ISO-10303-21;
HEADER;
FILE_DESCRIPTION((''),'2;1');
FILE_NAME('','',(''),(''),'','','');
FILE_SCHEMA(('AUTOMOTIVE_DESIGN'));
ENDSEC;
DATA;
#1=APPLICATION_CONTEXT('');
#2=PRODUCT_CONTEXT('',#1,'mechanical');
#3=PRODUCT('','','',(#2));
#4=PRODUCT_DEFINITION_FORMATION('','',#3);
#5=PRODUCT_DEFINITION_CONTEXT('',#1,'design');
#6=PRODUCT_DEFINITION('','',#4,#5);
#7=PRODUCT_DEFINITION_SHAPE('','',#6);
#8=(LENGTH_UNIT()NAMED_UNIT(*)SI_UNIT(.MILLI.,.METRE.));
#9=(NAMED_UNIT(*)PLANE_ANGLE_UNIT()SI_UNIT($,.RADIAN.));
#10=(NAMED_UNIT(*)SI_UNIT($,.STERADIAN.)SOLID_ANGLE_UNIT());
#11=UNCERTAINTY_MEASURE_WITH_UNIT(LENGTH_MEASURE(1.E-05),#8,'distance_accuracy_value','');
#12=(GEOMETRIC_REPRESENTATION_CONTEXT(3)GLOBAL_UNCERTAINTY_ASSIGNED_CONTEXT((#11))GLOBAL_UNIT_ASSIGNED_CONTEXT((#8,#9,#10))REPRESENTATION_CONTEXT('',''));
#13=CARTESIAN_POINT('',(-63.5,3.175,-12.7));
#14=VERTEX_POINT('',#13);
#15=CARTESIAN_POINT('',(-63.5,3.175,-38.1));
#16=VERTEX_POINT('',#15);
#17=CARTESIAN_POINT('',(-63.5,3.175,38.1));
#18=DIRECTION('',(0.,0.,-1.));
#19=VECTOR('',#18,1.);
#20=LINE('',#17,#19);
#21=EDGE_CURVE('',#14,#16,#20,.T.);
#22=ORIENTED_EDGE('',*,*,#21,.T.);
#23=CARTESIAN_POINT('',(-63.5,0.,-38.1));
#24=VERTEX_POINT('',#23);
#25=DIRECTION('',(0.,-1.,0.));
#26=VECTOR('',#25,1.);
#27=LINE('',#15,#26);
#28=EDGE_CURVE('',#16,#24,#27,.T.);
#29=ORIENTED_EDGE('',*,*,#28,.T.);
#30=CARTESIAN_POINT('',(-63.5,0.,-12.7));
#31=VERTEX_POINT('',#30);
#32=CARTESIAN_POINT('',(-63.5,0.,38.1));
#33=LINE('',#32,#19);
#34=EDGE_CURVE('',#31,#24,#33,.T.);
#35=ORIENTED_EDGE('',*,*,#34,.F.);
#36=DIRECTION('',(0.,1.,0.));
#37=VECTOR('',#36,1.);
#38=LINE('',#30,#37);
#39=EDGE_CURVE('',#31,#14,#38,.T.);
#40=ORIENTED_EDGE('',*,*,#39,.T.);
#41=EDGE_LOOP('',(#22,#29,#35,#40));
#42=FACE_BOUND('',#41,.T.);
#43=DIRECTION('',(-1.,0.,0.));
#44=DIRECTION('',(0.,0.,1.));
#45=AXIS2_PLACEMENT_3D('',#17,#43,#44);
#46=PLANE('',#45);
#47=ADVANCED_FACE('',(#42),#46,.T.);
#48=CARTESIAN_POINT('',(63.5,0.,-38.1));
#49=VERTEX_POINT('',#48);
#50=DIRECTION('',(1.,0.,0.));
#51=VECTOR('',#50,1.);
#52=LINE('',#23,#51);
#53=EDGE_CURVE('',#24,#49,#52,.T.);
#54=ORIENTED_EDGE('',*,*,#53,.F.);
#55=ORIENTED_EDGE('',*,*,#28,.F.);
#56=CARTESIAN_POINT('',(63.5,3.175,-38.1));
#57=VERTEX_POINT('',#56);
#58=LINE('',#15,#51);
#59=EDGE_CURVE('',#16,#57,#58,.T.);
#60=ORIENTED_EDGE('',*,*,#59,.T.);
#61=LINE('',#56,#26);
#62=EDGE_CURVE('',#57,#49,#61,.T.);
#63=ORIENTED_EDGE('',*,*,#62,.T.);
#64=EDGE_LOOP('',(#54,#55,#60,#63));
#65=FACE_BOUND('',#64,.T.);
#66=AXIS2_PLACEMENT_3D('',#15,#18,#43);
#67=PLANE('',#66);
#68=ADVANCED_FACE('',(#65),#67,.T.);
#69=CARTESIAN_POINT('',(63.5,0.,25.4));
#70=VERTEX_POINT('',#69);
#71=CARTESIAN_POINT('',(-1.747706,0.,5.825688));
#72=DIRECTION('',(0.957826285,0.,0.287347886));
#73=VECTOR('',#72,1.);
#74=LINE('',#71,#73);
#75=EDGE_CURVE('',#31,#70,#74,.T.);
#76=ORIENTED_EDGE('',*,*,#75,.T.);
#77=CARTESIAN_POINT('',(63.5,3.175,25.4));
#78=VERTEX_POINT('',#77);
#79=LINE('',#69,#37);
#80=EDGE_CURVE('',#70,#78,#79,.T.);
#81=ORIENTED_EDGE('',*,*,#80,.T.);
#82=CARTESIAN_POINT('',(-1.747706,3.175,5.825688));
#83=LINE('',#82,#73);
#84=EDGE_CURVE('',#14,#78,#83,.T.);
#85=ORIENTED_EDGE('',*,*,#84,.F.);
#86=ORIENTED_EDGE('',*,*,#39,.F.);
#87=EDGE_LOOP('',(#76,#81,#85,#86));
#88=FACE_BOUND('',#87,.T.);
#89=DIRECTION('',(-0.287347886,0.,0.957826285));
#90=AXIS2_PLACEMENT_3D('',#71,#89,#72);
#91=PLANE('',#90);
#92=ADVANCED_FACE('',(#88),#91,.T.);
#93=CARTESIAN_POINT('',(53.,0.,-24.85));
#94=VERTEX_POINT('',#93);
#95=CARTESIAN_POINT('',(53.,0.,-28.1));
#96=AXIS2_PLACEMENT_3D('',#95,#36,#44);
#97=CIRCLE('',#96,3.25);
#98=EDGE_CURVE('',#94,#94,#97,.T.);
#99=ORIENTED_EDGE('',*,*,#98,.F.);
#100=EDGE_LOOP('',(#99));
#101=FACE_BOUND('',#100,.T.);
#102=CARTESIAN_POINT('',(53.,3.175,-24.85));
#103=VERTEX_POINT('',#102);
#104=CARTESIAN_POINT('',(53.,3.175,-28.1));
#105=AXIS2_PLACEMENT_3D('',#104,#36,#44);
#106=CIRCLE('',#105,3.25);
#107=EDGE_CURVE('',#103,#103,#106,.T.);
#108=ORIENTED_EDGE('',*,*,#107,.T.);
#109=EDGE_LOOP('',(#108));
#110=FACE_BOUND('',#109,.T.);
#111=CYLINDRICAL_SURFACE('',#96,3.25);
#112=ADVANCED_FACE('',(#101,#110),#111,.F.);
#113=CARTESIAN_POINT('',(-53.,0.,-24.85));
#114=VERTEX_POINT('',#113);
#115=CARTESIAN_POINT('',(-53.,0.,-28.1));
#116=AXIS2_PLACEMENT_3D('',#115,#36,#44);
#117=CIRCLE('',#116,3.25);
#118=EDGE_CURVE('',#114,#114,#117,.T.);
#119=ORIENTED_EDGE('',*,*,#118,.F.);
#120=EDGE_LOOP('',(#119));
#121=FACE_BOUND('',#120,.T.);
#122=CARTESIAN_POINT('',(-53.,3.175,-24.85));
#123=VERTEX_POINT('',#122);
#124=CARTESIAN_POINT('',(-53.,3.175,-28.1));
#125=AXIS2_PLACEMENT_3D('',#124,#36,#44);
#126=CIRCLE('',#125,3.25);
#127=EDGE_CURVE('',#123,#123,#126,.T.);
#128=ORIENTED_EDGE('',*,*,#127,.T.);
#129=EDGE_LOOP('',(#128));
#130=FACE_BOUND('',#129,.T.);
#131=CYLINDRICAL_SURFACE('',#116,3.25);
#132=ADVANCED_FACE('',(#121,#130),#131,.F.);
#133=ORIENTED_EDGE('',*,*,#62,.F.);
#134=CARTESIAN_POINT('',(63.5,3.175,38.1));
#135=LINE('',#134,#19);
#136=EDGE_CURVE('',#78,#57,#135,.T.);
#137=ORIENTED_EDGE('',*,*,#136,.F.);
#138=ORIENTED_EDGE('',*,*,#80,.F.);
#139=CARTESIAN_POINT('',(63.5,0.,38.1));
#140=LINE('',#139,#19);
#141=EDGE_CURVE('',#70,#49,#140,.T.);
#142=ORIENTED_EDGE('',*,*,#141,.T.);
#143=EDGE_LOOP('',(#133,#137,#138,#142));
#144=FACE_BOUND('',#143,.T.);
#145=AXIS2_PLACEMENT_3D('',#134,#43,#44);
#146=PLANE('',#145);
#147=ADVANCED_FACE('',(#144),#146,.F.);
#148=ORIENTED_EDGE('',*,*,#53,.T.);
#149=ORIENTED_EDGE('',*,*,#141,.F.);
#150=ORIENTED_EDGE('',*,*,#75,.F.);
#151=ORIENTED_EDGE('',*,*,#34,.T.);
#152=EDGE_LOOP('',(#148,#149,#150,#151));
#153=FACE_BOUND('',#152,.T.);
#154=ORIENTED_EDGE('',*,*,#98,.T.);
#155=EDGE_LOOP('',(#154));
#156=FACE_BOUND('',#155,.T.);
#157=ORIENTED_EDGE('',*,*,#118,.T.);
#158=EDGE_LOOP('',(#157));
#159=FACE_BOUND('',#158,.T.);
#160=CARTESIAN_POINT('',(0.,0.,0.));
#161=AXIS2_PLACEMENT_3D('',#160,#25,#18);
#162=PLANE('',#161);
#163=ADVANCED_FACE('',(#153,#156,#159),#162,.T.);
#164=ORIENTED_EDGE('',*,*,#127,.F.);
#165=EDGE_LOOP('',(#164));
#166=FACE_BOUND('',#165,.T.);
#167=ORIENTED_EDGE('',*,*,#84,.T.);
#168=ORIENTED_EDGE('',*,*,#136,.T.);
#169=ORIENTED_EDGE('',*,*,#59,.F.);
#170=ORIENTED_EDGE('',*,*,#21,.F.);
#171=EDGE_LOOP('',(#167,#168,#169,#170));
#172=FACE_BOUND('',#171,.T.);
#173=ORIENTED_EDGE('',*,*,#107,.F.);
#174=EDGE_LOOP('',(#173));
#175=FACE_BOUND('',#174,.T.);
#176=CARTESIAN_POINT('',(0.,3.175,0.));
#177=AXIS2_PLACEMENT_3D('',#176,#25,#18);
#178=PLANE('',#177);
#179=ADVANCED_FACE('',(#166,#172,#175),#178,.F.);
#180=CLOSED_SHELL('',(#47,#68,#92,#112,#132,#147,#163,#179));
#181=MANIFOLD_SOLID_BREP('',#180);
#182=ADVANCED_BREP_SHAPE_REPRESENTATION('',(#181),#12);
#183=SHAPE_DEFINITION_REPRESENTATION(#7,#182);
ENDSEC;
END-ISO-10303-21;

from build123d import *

# Parameters (mm, degrees)
SKETCH1_W           = 127
SKETCH1_H           = 76.2
BOSS_EXTRUDE1_DEPTH = 3.175
SKETCH2_R           = 3.25
CUT_EXTRUDE1_DEPTH  = 75.121121315


with BuildPart() as part:
    # Sketch1 → Boss-Extrude1 (new body)
    with BuildSketch(Plane(origin=(0, 0, 0), x_dir=(1, 0, 0), z_dir=(0, 1, 0))):
        Rectangle(SKETCH1_W, SKETCH1_H)
    extrude(amount=BOSS_EXTRUDE1_DEPTH)

    # Sketch2 → Cut-Extrude1 (cut, through all)
    with BuildSketch(Plane(origin=(0, 3.175, 0), x_dir=(1, 0, 0), z_dir=(0, 1, 0))):
        Polygon((63.5, -25.4), (-63.5, 12.7), (-63.5, -38.1), (63.5, -38.1), align=None)
        with Locations(Location((-53, 28.1, 0), (0, 0, 270))):
            Circle(SKETCH2_R)
        with Locations(Location((53, 28.1, 0), (0, 0, 270))):
            Circle(SKETCH2_R)
    extrude(amount=-CUT_EXTRUDE1_DEPTH, mode=Mode.SUBTRACT)


solid = part.part
